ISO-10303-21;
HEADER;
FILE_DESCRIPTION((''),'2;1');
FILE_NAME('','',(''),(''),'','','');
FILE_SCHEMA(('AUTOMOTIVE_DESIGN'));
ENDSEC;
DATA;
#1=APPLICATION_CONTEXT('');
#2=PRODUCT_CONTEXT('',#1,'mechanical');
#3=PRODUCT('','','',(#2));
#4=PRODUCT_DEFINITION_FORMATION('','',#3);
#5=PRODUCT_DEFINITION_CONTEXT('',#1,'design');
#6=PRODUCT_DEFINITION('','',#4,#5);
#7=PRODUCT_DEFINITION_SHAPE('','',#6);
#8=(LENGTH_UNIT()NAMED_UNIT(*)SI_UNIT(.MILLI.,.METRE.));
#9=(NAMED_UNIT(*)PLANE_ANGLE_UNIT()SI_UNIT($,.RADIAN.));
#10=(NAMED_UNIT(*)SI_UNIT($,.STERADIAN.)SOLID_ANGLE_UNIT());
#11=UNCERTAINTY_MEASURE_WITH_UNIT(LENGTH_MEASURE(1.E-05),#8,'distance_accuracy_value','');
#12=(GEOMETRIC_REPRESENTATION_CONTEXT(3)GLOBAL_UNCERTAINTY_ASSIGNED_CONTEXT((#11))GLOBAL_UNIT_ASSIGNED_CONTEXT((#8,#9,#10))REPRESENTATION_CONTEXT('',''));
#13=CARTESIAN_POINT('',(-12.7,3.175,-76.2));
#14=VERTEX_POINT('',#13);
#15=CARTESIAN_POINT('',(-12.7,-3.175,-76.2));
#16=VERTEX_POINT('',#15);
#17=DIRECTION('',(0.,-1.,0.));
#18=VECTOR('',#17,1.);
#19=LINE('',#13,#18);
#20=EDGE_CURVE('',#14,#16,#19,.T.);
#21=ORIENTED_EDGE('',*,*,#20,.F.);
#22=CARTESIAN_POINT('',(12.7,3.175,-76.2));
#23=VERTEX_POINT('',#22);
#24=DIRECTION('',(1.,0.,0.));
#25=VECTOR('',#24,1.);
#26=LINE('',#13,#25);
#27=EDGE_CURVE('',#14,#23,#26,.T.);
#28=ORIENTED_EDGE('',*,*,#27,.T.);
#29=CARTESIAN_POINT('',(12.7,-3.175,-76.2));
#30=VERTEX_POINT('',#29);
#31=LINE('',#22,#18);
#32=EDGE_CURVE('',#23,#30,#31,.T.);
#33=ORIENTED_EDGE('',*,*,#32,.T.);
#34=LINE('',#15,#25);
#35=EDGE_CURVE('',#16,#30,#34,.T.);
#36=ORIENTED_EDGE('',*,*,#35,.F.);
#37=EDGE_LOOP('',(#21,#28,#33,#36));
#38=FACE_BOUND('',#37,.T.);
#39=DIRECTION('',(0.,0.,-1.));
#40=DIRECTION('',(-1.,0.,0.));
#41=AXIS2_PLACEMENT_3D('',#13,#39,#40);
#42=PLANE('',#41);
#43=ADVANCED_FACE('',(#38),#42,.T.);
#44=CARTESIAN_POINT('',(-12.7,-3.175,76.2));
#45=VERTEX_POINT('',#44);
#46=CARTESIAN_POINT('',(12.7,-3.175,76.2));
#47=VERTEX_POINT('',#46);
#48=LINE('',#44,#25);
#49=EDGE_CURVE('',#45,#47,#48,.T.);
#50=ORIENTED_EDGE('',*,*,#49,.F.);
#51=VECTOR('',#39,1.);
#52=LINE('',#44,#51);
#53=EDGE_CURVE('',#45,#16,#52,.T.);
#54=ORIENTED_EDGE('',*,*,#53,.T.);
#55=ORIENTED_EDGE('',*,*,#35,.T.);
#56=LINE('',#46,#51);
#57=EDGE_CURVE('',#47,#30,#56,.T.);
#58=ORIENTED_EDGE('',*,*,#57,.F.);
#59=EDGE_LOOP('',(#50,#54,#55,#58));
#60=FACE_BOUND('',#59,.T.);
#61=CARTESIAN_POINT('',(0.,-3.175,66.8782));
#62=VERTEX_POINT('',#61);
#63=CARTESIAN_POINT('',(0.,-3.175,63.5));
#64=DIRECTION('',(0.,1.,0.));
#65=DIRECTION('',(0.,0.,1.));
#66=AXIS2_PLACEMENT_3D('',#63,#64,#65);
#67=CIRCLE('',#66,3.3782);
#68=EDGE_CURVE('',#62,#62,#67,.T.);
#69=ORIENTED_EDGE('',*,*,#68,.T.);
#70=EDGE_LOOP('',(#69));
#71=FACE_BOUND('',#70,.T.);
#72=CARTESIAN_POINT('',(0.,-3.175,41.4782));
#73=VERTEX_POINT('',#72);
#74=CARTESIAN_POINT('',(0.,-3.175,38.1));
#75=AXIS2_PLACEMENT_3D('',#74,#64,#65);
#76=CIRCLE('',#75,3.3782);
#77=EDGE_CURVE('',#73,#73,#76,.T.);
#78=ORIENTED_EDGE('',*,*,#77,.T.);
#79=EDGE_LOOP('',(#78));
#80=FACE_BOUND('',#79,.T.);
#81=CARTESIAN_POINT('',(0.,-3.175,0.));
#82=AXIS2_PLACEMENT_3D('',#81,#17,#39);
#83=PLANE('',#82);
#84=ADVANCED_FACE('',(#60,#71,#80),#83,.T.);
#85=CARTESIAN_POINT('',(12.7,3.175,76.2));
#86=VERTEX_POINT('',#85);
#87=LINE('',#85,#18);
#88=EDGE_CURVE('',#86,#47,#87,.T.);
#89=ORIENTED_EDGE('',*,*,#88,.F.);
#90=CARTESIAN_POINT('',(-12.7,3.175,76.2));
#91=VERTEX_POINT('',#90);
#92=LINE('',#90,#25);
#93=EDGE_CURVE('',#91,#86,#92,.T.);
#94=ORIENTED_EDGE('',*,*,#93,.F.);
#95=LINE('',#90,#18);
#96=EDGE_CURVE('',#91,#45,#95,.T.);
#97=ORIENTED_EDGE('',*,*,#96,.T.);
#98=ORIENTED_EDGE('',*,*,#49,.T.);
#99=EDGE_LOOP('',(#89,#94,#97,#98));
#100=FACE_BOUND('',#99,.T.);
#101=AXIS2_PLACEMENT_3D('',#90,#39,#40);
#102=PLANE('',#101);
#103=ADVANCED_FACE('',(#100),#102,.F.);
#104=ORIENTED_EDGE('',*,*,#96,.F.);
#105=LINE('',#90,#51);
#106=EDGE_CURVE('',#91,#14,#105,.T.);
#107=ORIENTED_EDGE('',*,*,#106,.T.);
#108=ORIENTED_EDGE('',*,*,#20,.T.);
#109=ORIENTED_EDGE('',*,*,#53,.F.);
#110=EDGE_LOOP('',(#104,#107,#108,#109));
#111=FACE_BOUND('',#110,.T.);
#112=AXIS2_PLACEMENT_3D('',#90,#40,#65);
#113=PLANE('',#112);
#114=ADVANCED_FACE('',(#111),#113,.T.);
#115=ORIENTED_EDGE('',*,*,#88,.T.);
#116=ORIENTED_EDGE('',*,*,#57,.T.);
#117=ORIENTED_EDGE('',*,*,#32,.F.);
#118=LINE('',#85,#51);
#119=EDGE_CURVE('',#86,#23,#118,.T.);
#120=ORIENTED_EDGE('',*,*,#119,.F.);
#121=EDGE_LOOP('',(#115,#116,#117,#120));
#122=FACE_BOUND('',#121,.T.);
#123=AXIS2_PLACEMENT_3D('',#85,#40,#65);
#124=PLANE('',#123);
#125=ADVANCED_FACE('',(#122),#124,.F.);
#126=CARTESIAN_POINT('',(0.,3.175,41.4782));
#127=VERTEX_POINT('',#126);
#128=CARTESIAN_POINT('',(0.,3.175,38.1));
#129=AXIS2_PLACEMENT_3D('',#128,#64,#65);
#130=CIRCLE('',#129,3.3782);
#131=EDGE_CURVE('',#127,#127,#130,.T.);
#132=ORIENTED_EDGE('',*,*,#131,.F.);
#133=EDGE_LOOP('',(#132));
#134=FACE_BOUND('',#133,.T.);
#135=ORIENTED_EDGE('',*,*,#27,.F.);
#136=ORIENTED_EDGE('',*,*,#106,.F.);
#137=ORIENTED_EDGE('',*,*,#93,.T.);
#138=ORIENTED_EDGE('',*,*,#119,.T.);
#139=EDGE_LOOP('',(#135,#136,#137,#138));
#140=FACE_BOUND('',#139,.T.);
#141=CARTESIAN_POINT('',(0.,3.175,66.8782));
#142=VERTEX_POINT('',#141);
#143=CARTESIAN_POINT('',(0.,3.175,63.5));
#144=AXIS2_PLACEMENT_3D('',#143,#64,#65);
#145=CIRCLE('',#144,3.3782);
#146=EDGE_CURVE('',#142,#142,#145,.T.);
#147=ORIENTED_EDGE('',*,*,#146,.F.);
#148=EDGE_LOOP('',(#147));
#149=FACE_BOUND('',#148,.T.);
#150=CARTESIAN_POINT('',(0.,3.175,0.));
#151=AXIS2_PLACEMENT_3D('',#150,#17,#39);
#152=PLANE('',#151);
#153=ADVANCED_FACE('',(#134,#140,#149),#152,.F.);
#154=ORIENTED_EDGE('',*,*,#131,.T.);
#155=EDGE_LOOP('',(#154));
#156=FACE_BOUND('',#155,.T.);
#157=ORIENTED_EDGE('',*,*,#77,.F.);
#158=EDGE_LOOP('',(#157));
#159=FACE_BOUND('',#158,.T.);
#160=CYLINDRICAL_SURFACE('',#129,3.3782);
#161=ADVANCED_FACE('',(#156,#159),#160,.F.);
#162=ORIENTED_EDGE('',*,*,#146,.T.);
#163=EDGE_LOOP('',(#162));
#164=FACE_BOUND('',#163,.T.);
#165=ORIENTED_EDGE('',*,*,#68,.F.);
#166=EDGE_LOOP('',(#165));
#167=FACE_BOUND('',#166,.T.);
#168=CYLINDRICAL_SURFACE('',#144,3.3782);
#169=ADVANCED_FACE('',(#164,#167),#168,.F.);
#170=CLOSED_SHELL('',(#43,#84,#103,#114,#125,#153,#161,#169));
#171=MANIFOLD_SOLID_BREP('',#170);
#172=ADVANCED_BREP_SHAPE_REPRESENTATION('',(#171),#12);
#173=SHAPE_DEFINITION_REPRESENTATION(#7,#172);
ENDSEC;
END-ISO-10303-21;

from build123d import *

# Parameters (mm, degrees)
SKETCH1_W               = 25.4
SKETCH1_H               = 152.4
BOSS_EXTRUDE1_DEPTH     = 3.175
F_1_4_CLEARANCE_HOLE1_D = 6.7564


with BuildPart() as part:
    # Sketch1 → Boss-Extrude1 (new, symmetric)
    with BuildSketch(Plane(origin=(0, 0, 0), x_dir=(1, 0, 0), z_dir=(0, 1, 0))):
        Rectangle(SKETCH1_W, SKETCH1_H)
    extrude(amount=BOSS_EXTRUDE1_DEPTH, both=True)

    # 1/4 Clearance Hole1 (through all)
    with Locations(Plane(origin=(0, 3.175, 0), x_dir=(1, 0, 0), z_dir=(0, 1, 0))):
        with Locations((0, -63.5), (0, -38.1)):
            Hole(F_1_4_CLEARANCE_HOLE1_D / 2)


solid = part.part
